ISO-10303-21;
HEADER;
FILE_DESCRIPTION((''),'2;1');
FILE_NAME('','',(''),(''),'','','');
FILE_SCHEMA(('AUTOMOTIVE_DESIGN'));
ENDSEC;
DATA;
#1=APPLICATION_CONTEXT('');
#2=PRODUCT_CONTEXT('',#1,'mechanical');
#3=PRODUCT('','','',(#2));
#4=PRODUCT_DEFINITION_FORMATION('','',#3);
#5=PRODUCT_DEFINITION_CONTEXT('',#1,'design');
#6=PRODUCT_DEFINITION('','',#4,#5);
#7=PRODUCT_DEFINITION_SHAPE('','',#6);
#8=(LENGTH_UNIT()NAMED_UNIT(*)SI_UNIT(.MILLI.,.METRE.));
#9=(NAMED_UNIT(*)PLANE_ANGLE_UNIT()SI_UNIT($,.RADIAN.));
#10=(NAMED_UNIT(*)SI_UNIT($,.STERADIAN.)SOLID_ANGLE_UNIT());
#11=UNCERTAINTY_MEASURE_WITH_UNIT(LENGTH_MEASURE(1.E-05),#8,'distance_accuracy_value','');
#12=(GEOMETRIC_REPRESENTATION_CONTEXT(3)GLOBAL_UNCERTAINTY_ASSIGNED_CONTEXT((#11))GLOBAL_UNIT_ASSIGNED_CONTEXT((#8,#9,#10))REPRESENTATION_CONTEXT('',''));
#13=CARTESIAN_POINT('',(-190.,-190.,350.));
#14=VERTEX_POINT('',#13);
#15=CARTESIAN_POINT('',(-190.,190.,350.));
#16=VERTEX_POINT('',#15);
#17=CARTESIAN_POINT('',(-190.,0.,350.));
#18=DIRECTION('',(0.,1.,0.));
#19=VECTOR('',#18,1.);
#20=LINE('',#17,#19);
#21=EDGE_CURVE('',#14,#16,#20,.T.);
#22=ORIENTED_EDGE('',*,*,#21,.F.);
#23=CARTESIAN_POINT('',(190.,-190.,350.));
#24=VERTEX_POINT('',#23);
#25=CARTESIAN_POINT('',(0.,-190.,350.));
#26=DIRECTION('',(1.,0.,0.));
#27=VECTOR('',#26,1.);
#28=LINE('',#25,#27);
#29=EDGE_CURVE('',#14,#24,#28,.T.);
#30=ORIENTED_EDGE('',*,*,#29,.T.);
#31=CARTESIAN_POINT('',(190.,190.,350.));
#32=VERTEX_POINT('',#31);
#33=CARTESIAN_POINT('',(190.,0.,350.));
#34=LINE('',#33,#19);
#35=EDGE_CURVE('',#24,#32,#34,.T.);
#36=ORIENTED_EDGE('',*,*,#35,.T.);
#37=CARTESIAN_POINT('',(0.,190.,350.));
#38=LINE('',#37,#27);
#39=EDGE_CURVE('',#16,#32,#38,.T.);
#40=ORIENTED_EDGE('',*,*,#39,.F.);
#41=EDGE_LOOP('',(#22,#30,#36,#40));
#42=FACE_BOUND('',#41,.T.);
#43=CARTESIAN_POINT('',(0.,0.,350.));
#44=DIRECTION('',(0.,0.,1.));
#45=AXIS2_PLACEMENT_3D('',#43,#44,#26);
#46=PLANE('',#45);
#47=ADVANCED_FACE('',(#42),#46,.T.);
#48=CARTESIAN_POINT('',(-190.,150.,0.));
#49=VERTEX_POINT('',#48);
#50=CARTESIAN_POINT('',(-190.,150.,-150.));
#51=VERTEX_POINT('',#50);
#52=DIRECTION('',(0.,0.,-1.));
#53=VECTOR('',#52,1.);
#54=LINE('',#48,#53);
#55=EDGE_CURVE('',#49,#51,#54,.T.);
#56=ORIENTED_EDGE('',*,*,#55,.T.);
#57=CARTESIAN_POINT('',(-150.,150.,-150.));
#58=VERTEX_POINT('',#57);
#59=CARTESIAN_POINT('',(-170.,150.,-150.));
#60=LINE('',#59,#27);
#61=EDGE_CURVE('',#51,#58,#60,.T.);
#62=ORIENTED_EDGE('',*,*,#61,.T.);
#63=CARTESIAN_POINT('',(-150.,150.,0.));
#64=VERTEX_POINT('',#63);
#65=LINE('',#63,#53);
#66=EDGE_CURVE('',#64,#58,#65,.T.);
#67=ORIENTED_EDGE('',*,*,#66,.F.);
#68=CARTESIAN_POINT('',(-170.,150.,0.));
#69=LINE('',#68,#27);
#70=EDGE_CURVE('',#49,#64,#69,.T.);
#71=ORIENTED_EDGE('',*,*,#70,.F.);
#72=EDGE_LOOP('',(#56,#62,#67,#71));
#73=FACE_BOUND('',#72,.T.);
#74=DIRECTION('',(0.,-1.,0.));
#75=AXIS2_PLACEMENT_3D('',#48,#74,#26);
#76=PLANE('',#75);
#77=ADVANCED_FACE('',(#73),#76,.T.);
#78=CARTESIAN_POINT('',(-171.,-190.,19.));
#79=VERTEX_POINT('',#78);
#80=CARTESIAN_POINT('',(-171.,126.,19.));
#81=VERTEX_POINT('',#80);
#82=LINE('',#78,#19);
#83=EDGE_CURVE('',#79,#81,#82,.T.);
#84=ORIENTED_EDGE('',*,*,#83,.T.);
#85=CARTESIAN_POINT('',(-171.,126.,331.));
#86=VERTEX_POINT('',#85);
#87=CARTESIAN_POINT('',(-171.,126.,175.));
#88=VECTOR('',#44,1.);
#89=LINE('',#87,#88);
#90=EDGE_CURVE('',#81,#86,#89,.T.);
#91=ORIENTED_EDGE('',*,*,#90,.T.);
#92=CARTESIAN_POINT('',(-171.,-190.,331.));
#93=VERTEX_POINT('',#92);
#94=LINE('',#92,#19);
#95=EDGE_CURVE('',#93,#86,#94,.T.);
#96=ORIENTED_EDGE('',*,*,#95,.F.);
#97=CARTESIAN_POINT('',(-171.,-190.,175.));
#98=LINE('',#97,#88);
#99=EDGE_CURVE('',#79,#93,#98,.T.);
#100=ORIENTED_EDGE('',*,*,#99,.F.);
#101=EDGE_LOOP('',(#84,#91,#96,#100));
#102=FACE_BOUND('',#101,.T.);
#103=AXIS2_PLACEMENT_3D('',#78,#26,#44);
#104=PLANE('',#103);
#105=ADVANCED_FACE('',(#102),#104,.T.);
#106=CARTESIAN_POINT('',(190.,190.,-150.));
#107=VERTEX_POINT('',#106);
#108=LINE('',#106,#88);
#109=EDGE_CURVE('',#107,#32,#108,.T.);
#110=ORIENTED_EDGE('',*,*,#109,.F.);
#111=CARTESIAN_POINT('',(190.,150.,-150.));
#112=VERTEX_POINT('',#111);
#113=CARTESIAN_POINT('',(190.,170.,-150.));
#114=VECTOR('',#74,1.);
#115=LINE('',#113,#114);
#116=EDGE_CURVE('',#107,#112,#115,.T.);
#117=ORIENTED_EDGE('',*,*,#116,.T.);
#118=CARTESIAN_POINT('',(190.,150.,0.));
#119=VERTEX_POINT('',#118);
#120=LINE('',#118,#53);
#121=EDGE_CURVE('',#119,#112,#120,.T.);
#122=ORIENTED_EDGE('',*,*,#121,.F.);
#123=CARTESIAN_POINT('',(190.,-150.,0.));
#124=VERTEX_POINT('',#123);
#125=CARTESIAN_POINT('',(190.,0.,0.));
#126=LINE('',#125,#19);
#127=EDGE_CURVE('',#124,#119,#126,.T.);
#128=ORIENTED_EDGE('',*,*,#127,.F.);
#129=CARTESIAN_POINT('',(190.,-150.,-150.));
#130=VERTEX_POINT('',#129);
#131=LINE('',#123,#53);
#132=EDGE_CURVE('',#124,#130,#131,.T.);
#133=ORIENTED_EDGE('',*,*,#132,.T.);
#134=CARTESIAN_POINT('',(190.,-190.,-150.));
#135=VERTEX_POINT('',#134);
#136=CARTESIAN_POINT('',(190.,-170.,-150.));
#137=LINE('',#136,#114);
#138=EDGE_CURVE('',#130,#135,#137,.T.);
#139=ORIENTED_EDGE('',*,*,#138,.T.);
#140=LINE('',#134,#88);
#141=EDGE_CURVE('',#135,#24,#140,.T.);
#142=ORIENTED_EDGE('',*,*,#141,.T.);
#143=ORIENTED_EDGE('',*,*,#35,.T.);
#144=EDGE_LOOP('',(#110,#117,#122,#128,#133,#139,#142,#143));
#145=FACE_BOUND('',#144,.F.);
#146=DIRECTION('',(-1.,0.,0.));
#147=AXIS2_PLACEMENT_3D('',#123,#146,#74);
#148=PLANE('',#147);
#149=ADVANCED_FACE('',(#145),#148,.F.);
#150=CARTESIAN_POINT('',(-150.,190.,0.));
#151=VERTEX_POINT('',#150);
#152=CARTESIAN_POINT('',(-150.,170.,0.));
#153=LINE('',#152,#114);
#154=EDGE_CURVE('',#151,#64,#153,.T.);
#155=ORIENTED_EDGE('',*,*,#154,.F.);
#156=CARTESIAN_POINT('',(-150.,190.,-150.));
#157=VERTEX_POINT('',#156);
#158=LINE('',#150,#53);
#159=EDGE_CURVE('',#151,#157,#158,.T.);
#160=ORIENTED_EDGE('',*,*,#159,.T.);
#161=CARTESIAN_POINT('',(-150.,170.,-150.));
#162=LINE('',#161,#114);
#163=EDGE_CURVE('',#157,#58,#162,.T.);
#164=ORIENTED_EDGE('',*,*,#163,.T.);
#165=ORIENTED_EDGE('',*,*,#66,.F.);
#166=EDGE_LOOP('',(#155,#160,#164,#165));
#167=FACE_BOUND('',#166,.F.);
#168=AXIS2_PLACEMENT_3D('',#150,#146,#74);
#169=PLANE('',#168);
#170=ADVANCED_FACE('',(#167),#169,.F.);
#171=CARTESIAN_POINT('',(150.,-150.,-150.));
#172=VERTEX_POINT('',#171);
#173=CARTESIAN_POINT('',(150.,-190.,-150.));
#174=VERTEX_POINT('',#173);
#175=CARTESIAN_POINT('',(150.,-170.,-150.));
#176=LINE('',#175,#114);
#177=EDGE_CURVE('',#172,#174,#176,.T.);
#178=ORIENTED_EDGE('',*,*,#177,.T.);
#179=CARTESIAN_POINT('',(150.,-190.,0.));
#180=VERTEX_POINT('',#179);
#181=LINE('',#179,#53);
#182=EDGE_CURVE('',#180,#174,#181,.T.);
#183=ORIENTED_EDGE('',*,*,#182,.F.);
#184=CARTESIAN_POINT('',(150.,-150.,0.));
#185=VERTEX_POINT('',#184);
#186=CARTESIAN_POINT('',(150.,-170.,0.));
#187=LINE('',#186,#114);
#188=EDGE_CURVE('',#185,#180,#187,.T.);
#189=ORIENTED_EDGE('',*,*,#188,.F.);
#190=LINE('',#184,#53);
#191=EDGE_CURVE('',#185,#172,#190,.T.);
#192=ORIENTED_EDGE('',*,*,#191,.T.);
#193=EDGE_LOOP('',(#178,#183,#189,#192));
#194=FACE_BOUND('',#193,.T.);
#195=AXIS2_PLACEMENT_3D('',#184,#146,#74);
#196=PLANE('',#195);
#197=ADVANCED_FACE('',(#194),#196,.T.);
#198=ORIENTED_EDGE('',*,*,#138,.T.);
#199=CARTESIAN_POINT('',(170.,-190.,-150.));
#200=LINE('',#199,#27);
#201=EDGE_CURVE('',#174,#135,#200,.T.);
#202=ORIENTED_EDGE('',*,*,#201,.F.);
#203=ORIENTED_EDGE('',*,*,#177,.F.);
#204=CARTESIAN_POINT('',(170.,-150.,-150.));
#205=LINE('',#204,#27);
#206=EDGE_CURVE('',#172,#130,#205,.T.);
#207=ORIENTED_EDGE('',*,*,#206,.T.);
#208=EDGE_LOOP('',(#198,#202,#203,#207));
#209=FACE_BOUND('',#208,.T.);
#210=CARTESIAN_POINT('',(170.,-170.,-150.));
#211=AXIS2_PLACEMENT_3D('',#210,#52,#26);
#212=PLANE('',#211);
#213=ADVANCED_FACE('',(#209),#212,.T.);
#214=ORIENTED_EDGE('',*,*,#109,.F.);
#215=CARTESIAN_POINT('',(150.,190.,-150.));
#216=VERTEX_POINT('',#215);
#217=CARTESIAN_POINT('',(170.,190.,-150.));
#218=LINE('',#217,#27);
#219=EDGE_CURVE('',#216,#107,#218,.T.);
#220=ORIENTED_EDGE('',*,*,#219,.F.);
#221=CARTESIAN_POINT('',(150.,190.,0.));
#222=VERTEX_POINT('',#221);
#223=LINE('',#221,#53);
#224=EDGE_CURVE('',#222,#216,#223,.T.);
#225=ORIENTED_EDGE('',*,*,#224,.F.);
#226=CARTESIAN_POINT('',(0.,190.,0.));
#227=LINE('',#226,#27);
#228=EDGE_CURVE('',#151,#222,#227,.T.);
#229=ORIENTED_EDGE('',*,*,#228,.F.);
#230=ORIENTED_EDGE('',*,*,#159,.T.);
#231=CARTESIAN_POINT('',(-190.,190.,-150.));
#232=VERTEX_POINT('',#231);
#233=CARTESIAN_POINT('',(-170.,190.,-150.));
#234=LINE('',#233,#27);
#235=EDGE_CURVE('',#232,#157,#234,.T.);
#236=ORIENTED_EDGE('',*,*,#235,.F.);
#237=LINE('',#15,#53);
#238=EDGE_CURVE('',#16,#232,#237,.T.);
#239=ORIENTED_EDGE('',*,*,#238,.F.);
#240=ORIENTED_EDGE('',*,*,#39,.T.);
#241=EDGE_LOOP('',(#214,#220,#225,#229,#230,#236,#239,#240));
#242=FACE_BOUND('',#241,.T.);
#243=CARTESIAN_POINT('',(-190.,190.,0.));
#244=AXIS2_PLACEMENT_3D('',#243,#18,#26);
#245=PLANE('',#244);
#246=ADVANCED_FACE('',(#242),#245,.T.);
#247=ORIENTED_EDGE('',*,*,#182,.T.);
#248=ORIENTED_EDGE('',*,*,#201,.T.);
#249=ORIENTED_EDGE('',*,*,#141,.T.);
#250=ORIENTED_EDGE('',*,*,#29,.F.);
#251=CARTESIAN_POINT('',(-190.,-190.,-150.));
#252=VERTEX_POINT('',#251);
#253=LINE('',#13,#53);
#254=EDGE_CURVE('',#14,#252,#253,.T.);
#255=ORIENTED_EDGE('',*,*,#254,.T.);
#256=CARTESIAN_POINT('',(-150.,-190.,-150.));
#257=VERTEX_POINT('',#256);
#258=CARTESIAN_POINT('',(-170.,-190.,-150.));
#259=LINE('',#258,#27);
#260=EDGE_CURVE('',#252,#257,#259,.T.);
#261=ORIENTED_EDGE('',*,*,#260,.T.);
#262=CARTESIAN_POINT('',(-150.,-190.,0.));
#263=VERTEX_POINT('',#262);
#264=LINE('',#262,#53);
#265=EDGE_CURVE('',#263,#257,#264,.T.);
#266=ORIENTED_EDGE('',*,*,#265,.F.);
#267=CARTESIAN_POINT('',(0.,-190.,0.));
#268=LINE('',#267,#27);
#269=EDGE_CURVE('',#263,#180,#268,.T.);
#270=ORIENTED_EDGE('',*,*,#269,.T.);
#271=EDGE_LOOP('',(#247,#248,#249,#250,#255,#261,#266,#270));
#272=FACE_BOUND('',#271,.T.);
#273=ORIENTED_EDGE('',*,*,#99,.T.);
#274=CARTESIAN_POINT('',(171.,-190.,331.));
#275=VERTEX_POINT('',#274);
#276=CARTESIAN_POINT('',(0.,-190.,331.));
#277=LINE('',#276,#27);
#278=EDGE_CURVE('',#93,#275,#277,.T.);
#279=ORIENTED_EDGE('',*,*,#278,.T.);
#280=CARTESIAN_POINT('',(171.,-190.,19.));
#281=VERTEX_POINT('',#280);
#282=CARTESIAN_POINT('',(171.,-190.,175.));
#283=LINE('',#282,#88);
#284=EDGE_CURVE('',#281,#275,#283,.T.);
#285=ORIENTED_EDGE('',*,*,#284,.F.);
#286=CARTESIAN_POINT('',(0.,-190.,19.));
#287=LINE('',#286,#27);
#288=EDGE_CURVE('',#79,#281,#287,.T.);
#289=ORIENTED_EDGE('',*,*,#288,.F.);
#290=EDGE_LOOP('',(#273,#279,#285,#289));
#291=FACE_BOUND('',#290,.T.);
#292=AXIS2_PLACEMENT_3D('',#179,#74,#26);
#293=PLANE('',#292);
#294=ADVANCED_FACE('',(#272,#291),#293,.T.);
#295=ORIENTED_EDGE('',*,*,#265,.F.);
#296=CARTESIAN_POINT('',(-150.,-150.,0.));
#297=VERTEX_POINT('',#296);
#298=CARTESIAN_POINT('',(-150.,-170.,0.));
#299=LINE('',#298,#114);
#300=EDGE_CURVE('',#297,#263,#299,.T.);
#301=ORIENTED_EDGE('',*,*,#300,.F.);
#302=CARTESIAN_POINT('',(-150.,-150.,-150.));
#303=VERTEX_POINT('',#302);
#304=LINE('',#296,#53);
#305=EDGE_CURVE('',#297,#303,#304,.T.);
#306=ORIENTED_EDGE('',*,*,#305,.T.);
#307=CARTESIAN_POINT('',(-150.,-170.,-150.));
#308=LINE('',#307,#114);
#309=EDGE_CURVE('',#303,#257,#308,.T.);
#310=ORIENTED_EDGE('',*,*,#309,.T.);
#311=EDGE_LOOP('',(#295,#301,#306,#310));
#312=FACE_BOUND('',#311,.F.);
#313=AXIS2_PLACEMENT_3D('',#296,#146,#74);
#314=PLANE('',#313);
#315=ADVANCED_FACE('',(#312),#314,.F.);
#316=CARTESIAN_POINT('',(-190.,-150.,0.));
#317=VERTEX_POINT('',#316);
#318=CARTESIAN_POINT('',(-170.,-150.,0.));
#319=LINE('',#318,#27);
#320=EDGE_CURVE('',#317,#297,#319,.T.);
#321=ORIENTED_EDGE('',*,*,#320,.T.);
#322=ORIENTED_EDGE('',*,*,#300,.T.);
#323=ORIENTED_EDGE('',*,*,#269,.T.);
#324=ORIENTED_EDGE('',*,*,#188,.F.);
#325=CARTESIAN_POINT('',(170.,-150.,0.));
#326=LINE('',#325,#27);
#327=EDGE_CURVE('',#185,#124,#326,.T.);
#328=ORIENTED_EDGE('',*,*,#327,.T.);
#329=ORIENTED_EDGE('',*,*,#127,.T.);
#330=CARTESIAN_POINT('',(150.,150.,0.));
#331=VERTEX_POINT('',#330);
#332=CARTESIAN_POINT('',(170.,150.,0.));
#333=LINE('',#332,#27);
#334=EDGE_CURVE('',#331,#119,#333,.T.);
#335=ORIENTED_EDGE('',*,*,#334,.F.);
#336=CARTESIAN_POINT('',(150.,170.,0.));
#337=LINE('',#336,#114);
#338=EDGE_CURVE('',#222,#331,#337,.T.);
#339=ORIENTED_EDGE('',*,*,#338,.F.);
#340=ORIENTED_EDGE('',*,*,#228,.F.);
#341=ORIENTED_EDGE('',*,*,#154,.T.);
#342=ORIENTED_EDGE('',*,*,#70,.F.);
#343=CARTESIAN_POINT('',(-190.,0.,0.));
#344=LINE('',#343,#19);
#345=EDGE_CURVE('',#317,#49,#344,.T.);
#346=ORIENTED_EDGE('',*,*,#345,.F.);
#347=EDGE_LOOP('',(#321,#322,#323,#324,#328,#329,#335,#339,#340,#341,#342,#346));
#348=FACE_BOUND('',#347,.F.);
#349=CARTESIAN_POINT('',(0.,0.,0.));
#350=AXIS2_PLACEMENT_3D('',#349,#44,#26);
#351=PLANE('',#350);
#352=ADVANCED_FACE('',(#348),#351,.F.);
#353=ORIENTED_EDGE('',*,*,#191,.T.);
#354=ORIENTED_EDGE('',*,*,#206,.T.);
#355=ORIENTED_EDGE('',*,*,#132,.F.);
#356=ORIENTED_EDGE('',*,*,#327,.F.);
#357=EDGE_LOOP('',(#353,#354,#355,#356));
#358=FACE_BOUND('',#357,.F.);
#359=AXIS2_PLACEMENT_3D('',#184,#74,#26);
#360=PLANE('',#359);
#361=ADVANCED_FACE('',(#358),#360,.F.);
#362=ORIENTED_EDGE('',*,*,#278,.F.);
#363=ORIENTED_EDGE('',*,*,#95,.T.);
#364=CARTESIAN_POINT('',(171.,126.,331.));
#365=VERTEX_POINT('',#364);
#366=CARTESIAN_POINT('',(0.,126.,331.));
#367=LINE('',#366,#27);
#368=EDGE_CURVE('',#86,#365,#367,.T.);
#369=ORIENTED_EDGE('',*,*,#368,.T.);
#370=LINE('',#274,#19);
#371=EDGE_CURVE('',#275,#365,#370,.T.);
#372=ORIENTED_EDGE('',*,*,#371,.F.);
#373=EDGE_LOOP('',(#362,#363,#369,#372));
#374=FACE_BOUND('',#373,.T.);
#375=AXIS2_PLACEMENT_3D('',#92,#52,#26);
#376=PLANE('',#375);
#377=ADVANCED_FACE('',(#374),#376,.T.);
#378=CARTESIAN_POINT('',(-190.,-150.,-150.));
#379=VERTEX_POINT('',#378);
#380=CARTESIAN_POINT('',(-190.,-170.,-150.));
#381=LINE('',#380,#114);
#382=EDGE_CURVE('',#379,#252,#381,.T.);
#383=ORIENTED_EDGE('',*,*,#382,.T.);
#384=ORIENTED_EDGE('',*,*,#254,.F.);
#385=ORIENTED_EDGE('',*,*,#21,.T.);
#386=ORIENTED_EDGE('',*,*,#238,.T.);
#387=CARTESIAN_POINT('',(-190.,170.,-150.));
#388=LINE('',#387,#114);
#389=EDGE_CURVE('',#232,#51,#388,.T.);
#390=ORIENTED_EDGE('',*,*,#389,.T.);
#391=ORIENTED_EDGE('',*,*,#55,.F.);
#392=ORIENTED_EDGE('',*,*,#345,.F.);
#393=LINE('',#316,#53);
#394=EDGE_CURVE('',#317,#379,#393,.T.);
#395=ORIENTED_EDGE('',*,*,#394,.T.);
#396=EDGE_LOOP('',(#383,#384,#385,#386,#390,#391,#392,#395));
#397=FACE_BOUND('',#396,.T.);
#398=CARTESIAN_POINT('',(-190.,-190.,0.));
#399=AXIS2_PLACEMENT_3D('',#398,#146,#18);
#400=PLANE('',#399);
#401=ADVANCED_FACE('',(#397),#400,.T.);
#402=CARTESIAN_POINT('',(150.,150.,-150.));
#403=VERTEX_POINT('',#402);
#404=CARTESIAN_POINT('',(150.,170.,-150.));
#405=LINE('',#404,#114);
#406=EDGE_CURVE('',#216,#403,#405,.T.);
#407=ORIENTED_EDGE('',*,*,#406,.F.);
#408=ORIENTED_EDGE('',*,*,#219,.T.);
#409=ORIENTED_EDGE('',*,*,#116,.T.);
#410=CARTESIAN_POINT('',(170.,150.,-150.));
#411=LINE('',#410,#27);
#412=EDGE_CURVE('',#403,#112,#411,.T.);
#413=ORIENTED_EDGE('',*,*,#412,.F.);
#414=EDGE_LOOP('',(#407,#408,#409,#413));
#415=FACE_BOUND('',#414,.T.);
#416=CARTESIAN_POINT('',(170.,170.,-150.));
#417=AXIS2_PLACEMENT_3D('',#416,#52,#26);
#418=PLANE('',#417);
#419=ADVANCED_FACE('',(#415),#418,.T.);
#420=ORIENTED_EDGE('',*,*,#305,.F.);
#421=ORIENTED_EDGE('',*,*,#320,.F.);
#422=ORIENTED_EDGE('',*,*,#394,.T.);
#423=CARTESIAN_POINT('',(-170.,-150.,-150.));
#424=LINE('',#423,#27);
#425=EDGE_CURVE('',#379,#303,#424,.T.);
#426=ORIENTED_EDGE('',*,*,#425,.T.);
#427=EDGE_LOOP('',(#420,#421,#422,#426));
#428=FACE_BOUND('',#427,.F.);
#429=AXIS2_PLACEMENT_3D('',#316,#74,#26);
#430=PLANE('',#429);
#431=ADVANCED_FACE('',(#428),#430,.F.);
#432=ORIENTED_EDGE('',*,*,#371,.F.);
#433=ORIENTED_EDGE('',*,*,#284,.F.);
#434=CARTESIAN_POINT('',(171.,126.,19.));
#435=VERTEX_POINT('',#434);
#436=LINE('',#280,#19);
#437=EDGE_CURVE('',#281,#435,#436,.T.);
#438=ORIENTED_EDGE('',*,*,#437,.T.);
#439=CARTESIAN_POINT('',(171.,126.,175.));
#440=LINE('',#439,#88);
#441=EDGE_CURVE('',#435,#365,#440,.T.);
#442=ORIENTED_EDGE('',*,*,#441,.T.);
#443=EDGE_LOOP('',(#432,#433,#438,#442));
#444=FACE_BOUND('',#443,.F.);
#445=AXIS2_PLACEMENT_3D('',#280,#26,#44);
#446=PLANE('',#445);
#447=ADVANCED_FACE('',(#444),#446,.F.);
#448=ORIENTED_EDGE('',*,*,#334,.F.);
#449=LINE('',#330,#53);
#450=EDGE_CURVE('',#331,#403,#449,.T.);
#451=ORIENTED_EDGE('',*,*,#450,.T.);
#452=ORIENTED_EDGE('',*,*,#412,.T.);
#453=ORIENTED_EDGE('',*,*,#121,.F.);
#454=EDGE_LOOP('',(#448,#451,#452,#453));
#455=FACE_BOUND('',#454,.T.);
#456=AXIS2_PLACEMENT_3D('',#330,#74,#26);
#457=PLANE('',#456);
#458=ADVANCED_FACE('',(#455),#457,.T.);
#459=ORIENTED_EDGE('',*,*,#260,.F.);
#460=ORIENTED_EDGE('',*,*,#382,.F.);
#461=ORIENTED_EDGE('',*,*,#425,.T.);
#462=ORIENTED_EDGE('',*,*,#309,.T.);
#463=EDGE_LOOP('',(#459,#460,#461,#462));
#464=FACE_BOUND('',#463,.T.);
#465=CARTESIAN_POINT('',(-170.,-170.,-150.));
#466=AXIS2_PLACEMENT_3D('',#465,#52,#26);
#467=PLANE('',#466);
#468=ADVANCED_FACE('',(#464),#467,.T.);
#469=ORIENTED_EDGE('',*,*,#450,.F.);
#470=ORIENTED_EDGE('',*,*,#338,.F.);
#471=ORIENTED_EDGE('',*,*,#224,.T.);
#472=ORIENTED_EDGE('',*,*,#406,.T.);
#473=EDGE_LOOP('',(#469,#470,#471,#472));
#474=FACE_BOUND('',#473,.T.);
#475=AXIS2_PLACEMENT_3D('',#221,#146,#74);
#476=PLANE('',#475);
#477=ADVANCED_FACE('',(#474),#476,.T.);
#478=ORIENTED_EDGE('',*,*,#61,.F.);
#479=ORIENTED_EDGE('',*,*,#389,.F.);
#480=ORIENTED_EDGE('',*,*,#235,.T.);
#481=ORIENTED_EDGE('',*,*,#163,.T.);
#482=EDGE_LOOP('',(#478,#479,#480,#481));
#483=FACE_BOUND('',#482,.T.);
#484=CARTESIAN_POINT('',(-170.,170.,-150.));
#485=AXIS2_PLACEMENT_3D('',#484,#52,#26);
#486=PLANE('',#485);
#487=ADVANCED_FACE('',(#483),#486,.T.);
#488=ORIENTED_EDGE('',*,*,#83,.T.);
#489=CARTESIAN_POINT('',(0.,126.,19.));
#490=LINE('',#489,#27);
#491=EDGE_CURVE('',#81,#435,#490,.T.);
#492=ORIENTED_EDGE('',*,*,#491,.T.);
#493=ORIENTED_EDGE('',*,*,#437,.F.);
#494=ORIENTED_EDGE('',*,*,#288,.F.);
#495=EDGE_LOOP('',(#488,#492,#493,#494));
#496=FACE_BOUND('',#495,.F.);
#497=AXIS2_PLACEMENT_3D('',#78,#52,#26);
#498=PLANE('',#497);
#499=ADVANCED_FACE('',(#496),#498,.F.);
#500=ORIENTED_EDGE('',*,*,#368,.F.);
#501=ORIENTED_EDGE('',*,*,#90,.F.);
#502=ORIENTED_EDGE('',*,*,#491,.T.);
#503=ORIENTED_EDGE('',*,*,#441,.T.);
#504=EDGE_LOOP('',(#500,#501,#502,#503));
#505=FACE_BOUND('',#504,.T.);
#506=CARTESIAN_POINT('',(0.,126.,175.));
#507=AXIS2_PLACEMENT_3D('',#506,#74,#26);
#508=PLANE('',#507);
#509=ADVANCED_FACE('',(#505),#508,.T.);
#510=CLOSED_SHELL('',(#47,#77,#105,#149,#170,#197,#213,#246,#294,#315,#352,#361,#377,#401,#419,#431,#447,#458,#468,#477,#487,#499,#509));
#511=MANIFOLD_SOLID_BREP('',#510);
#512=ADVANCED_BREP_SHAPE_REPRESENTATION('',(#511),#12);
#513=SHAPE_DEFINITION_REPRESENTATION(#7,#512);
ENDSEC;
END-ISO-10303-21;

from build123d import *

# Parameters (mm, degrees)
F0_W     = 380
F0_H     = 380
F1_DEPTH = 350
F2_W     = 342
F2_H     = 312
F3_DEPTH = 316
F4_W     = 40
F4_H     = 40
F5_DEPTH = 150


with BuildPart() as f1:
    # F0 (on Top) → F1 (new body)
    with BuildSketch(Plane.XY):
        Rectangle(F0_W, F0_H)
    extrude(amount=F1_DEPTH)

    # F2 (on face) → F3 (cut)
    with BuildSketch(Plane.XZ.offset(190)):
        with Locations((0, 175)):
            Rectangle(F2_W, F2_H)
    extrude(amount=-F3_DEPTH, mode=Mode.SUBTRACT)

    # F4 (on face) → F5 (join)
    with BuildSketch(Plane(origin=(0, 0, 0), x_dir=(1, 0, 0), z_dir=(0, 0, -1))):
        with Locations((170, 170)):
            Rectangle(F4_W, F4_H)
        with Locations((-170, -170)):
            Rectangle(F4_W, F4_H)
        with Locations((170, -170)):
            Rectangle(F4_W, F4_H)
        with Locations((-170, 170)):
            Rectangle(F4_W, F4_H)
    extrude(amount=F5_DEPTH)


solid = f1.part
